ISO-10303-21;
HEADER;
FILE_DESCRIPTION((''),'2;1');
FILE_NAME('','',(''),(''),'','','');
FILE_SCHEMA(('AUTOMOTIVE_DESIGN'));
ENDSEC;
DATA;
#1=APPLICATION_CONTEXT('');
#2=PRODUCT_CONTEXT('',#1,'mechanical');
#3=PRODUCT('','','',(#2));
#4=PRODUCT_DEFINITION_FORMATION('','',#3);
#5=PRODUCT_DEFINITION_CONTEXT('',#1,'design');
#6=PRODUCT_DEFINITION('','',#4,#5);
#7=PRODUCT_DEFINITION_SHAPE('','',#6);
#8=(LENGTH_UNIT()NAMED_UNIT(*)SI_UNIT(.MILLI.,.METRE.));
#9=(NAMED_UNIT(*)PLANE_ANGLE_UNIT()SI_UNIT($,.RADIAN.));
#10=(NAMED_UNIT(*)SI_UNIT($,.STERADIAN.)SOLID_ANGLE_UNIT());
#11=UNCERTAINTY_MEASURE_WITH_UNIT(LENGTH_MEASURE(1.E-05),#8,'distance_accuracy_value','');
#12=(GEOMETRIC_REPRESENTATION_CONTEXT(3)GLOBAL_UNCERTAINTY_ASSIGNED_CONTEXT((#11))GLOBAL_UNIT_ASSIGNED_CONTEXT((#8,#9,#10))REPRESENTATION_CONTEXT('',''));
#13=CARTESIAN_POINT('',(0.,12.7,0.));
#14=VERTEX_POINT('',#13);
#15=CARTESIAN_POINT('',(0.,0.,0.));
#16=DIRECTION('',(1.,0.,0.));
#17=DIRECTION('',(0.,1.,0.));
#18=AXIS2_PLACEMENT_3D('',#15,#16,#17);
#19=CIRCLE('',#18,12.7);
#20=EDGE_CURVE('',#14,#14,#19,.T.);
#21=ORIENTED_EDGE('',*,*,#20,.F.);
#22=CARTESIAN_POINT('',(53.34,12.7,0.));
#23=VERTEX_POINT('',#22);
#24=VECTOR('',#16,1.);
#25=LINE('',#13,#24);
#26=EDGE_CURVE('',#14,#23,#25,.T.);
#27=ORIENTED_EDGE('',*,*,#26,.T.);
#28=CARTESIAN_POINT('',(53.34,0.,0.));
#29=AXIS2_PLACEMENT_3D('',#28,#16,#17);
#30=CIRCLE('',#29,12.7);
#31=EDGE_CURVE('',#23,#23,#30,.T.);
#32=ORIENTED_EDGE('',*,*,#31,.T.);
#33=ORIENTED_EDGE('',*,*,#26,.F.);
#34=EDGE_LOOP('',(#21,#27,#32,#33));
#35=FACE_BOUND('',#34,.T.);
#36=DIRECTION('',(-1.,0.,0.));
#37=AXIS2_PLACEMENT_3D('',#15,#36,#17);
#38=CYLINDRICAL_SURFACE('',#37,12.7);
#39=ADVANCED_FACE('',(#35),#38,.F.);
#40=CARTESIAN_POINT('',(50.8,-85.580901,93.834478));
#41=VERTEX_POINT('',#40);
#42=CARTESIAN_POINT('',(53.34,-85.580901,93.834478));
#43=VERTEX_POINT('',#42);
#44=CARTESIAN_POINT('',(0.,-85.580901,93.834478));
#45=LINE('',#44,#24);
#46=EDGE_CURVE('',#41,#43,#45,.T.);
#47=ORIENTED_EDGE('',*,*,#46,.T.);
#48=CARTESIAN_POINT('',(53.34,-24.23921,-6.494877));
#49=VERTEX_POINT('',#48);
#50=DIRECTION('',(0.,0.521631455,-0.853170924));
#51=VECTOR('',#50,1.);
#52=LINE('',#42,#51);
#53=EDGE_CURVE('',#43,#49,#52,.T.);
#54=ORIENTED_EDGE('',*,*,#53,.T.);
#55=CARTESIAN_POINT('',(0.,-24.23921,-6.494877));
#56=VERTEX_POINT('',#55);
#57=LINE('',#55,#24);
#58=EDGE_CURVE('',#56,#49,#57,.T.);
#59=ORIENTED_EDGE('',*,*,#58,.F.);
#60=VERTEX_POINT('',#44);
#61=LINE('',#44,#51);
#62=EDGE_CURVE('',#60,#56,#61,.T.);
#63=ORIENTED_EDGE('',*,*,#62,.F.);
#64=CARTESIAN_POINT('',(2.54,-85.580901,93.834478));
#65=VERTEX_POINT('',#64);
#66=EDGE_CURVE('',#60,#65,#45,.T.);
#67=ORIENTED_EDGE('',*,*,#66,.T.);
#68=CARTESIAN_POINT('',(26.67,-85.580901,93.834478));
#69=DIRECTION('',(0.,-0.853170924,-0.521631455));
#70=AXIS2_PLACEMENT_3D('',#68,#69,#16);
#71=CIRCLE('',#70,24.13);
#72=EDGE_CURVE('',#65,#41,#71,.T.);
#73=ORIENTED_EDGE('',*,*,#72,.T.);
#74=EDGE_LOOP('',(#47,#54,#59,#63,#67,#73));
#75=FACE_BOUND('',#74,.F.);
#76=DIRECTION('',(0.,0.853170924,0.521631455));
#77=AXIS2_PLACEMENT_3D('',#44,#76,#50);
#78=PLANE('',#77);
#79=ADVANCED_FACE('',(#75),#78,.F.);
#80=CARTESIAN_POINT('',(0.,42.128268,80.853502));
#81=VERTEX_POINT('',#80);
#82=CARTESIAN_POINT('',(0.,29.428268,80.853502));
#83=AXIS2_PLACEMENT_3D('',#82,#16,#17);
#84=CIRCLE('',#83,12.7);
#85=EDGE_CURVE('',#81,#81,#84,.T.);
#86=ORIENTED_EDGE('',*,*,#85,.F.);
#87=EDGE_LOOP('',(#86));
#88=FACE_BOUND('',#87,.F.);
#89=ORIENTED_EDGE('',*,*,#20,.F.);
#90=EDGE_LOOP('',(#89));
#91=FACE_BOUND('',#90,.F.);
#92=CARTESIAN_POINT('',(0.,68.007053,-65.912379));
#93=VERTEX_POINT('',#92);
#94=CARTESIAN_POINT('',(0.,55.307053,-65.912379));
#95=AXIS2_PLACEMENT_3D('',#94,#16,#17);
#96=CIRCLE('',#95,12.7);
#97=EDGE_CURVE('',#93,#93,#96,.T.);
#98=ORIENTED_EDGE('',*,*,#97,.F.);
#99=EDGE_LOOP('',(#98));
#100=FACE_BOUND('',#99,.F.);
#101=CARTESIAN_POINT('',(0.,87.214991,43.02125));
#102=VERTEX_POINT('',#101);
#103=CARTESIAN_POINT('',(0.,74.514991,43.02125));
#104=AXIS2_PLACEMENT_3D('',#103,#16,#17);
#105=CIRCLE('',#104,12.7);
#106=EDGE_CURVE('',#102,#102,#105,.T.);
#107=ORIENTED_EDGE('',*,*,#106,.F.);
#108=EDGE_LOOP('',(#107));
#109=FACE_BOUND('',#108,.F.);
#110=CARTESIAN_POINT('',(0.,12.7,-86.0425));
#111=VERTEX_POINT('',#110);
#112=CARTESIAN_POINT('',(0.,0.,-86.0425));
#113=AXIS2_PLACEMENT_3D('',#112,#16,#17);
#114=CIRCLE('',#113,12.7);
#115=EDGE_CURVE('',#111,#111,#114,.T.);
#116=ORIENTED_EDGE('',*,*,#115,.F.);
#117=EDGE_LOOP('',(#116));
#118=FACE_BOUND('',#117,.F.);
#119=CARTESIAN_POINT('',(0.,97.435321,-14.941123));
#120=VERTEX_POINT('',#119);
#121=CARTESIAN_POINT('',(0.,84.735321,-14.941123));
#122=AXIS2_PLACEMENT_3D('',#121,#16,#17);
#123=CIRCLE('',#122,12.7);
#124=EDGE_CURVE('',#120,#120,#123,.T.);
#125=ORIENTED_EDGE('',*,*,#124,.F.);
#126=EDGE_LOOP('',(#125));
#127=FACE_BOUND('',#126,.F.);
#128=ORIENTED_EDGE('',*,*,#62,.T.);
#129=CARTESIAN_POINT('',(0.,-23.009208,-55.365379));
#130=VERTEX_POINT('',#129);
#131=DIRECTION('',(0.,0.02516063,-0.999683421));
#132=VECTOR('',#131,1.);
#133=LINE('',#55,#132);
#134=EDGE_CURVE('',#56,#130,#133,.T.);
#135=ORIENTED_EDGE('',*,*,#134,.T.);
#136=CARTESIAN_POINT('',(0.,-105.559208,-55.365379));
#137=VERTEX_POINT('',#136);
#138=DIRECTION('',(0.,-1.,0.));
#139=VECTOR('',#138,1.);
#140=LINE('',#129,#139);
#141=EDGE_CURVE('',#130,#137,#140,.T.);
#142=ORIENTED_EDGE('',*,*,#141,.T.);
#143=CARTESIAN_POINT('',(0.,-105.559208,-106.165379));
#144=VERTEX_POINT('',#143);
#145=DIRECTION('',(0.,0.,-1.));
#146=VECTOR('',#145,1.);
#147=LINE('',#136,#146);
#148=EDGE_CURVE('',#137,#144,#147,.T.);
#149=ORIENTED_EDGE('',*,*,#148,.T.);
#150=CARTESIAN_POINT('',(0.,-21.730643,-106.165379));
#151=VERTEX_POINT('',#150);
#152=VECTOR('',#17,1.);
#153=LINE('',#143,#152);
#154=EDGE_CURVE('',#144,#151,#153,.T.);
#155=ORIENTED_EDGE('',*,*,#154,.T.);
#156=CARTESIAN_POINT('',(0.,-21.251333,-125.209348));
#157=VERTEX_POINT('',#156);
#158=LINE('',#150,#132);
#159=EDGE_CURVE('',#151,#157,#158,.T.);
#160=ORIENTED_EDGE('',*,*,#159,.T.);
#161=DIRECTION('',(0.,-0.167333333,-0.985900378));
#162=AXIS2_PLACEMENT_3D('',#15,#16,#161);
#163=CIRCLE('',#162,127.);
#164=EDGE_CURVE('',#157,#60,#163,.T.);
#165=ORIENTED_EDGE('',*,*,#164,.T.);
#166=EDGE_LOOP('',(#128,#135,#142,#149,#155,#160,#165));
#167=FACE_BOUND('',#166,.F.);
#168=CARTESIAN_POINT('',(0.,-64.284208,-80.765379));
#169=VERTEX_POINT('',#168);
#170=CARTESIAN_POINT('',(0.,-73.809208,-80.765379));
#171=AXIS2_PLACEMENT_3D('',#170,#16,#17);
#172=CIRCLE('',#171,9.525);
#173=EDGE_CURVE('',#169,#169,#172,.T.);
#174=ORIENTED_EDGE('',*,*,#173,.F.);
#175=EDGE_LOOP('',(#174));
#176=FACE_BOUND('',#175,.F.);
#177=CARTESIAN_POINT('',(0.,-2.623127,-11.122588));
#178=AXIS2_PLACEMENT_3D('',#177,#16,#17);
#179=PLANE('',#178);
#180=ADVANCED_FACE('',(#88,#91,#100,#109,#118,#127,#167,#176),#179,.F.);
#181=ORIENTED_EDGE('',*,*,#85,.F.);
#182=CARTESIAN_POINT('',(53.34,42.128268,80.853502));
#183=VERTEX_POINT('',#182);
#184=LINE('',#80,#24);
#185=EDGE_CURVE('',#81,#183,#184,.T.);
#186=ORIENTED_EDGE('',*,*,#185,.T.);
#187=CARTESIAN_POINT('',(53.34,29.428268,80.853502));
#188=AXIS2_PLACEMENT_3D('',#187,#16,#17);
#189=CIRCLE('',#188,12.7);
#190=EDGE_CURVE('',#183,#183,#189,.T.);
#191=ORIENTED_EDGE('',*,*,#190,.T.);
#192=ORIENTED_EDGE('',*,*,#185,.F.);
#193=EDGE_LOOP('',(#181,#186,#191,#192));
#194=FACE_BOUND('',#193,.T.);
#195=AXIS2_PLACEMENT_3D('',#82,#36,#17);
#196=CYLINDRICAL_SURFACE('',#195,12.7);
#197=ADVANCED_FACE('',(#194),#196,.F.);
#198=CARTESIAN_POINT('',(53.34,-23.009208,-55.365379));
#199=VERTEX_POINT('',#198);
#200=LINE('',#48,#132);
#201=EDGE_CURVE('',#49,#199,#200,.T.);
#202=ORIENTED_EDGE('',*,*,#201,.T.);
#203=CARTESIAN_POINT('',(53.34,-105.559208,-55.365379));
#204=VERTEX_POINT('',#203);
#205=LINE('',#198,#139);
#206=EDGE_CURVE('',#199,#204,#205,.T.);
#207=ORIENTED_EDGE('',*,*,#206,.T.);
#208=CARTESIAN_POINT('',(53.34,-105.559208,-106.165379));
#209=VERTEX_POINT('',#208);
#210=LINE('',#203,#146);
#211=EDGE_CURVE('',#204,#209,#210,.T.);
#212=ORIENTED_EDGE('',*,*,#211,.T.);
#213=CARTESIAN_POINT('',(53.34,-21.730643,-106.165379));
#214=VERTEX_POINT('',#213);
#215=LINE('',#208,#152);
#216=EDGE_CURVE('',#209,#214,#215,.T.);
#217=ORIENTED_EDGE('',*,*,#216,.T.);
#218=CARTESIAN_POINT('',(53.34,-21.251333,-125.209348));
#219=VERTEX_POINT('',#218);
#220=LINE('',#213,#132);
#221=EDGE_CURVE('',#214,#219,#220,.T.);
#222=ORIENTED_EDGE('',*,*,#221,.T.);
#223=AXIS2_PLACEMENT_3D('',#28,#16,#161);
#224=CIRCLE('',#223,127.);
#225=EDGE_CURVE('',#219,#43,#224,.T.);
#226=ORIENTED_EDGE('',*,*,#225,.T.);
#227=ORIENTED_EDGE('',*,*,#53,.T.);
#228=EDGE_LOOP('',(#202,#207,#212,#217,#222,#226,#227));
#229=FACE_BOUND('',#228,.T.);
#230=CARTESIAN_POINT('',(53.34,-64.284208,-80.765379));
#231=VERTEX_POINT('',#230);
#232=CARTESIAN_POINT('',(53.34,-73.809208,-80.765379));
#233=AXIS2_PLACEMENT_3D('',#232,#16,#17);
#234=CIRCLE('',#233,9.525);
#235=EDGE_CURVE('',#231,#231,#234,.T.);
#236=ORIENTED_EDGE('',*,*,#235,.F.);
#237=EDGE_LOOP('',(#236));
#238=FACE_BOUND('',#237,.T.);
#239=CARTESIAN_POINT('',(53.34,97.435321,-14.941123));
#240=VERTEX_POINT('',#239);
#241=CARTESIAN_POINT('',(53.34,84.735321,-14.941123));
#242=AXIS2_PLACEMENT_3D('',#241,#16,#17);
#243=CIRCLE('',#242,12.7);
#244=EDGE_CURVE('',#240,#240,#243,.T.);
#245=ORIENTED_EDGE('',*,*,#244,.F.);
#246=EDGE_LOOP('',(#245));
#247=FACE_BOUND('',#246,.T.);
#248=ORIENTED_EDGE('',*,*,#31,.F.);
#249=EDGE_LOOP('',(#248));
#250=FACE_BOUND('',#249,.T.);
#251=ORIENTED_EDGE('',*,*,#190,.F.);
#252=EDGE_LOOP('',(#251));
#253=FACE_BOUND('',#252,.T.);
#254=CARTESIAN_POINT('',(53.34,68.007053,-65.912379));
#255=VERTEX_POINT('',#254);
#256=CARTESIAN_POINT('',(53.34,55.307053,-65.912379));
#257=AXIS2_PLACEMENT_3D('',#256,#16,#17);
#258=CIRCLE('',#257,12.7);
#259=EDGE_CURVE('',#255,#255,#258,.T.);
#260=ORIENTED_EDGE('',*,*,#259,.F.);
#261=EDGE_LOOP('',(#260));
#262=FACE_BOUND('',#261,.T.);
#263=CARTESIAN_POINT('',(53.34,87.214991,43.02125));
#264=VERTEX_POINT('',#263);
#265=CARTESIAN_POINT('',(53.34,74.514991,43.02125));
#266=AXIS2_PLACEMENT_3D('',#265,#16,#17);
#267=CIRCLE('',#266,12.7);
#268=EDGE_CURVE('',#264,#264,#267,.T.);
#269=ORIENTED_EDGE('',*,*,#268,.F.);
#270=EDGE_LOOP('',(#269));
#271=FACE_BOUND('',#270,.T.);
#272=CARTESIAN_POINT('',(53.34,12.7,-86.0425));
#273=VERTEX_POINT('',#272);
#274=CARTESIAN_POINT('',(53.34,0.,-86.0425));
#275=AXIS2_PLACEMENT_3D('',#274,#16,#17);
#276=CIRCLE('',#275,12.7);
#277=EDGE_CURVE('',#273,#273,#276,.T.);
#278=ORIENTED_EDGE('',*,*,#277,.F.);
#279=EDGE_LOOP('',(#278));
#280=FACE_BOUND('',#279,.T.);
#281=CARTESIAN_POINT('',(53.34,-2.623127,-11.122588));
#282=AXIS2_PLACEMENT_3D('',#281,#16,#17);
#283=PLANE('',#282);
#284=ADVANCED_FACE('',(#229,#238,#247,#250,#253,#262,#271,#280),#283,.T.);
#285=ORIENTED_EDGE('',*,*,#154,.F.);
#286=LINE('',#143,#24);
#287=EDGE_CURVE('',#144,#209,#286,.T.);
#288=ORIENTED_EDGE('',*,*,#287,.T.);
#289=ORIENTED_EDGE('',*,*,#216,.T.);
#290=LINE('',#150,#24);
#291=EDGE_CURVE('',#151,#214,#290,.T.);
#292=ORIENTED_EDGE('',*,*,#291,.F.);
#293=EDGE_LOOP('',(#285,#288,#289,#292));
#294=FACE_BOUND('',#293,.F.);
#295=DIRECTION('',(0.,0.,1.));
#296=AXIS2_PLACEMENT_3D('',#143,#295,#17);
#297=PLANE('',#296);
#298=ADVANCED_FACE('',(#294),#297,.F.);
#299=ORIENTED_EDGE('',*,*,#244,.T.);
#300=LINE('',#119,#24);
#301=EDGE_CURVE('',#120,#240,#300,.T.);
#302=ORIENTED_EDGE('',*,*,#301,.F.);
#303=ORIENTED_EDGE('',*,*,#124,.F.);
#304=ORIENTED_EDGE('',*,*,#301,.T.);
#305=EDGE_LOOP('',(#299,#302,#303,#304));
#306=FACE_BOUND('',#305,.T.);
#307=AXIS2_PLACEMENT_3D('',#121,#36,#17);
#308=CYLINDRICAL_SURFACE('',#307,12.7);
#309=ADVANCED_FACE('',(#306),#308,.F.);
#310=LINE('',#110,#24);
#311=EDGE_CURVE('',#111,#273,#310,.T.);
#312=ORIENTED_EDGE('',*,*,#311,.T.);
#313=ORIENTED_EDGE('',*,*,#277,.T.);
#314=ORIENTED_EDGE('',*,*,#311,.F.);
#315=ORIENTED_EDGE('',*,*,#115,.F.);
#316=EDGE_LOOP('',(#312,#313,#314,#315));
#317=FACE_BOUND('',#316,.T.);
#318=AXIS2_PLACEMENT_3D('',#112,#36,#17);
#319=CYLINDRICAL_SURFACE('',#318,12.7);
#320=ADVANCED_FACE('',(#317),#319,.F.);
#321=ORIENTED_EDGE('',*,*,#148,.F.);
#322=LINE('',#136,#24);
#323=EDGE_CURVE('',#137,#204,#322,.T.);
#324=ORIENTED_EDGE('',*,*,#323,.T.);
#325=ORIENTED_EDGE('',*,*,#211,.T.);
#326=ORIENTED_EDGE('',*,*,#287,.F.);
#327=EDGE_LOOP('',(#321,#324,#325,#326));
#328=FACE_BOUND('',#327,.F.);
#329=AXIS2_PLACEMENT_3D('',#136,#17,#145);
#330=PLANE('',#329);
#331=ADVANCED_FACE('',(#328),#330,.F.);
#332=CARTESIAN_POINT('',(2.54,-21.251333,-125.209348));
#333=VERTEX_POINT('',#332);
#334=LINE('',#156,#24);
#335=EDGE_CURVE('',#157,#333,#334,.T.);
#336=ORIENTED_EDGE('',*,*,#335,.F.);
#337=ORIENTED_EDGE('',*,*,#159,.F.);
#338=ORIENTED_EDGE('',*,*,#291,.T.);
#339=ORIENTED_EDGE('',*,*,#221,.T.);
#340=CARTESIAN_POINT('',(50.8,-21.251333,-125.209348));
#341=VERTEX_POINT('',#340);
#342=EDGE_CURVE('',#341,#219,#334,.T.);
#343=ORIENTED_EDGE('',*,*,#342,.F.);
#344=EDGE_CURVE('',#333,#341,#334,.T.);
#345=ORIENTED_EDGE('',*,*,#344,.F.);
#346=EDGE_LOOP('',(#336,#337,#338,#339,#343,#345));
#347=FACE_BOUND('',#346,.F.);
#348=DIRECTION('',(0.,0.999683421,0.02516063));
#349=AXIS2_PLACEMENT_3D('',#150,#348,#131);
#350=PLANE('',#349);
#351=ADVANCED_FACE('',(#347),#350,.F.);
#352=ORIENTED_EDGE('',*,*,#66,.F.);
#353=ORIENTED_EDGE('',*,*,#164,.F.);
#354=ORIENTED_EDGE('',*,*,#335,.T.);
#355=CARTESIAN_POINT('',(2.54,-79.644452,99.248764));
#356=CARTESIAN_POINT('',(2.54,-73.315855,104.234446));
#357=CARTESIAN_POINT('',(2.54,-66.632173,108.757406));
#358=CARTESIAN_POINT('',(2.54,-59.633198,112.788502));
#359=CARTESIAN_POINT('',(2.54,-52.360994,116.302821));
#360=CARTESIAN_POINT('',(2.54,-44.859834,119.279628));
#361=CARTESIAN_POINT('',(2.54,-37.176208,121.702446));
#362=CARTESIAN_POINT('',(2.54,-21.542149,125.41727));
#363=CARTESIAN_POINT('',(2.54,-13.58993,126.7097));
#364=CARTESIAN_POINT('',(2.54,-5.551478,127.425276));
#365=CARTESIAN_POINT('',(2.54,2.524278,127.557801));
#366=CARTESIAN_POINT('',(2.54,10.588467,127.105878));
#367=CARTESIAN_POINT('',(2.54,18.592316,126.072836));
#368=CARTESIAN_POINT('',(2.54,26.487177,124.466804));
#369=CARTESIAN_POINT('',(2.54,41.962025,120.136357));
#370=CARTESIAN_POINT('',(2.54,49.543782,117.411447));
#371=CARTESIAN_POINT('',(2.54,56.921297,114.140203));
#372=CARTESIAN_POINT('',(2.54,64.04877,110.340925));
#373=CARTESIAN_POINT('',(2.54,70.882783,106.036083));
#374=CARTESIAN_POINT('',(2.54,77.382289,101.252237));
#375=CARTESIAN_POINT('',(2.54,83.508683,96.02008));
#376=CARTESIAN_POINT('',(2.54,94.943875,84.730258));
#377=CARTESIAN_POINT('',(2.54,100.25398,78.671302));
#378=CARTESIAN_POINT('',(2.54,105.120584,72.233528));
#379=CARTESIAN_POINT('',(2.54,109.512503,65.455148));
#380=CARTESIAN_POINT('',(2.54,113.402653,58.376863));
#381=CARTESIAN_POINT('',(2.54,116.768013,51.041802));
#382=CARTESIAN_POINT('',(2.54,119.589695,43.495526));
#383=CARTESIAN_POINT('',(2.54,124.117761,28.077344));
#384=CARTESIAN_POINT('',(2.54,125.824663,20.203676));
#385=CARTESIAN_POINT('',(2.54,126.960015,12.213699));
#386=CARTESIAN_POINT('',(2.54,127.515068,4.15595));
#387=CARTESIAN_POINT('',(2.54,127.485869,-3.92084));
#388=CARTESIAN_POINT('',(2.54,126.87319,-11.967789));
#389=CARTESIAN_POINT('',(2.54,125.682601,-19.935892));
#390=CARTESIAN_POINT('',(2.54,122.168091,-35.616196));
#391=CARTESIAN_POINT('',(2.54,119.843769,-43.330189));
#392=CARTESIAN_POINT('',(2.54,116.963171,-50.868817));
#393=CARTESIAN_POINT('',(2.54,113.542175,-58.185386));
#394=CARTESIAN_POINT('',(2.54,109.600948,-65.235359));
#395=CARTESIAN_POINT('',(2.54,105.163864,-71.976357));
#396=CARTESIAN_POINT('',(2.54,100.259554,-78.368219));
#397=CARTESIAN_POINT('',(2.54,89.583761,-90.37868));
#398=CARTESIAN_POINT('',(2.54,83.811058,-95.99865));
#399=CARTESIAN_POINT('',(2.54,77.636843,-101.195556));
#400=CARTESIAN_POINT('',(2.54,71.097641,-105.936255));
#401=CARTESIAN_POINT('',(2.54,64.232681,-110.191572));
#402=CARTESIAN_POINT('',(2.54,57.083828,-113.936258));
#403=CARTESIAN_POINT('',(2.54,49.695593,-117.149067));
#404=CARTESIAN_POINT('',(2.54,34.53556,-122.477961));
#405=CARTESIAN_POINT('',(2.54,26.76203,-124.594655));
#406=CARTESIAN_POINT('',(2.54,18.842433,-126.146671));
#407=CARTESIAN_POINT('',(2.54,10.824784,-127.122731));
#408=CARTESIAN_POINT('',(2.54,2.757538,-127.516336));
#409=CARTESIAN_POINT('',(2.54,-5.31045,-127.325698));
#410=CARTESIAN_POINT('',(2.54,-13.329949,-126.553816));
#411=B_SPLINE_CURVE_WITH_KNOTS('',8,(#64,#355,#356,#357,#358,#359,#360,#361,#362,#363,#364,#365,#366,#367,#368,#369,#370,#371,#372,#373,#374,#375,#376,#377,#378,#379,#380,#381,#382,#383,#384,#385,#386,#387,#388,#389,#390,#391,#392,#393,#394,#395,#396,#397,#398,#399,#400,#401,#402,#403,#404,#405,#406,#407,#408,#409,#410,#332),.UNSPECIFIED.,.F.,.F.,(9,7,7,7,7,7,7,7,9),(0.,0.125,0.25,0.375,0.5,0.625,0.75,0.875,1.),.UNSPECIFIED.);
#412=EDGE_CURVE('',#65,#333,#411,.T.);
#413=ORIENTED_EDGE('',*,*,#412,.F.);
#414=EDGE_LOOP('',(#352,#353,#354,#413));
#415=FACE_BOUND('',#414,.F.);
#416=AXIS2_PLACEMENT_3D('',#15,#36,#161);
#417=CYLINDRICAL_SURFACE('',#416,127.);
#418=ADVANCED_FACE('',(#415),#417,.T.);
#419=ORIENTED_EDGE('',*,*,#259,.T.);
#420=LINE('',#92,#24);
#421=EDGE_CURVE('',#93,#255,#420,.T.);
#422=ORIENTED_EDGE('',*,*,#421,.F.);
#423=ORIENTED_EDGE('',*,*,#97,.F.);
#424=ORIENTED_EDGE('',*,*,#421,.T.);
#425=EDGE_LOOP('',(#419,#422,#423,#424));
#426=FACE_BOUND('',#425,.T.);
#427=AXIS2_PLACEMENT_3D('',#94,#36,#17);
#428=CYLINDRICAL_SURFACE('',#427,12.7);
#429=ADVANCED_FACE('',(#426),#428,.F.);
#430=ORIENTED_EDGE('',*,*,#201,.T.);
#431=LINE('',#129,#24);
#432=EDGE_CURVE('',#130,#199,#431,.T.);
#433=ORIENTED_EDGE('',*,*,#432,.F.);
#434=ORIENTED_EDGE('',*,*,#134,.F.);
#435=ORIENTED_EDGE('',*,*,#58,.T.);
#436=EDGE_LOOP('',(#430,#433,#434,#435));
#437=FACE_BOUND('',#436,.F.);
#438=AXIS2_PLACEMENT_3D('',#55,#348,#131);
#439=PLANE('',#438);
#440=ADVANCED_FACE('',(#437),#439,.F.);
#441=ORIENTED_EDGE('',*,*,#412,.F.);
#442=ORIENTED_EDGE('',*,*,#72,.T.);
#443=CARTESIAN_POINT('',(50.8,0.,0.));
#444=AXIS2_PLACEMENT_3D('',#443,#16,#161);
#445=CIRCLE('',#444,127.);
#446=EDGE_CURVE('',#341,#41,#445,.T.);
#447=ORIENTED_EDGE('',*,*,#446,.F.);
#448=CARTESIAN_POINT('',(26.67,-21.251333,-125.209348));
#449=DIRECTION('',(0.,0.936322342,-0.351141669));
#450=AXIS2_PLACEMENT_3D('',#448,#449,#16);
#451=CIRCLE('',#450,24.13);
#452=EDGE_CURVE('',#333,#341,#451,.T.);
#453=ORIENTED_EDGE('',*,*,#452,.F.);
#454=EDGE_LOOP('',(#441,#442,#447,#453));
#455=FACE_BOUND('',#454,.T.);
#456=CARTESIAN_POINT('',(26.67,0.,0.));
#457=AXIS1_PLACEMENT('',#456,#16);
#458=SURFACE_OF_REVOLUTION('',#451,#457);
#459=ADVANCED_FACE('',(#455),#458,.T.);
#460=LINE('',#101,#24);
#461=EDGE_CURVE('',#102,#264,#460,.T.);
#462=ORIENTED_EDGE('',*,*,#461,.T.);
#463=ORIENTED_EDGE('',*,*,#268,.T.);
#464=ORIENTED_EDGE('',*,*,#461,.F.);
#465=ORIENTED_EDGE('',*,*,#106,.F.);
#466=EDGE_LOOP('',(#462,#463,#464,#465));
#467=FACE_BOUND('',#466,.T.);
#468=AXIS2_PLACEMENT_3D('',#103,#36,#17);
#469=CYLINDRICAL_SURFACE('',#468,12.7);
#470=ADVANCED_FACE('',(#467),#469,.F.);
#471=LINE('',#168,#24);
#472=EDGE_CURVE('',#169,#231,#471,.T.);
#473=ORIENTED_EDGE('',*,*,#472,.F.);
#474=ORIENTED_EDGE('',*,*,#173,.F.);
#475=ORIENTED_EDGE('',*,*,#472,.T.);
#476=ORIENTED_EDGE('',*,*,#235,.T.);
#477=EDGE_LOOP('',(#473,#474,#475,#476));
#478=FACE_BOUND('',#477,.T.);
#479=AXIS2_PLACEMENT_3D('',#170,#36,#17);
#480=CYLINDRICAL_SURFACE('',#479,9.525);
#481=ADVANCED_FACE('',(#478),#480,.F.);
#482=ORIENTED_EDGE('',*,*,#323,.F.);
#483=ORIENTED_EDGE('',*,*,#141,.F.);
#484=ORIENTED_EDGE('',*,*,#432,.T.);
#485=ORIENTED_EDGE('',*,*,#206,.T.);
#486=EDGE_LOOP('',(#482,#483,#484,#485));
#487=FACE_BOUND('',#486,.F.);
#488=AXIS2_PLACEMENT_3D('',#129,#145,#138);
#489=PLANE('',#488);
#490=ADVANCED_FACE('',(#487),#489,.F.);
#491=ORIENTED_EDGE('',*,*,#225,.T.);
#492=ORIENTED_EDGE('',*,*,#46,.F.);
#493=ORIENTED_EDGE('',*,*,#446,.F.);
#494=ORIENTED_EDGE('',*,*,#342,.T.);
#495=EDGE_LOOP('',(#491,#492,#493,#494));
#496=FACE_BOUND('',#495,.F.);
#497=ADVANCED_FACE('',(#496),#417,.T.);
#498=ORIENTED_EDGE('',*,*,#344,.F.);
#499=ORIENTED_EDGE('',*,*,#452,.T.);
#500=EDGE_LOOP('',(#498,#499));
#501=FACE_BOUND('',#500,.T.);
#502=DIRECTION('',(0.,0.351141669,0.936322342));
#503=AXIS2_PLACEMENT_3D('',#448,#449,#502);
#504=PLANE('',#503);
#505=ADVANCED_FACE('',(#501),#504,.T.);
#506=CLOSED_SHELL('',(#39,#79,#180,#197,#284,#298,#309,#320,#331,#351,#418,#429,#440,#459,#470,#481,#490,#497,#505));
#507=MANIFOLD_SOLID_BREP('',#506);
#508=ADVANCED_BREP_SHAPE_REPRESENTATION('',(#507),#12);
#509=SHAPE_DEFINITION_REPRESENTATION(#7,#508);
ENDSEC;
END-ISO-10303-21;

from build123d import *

# Parameters (mm, degrees)
F0_R     = 9.525
F0_R_2   = 12.7
F1_DEPTH = 53.34


with BuildPart() as f1:
    # F0 (on Right) → F1 (new body)
    with BuildSketch(Plane.YZ):
        with BuildLine():
            Line((-21.7306433309, -106.1653788452), (-21.2513333333, -125.2093480198))
            ThreePointArc((-21.2513333333, -125.2093480198), (121.8537281077, 35.7864352271), (-85.5809014362, 93.8344782549))
            Line((-85.5809014362, 93.8344782549), (-24.2392100937, -6.4948767698))
            Line((-24.2392100937, -6.4948767698), (-23.0092080907, -55.3653788452))
            Line((-23.0092080907, -55.3653788452), (-105.5592080907, -55.3653788452))
            Line((-105.5592080907, -55.3653788452), (-105.5592080907, -106.1653788452))
            Line((-105.5592080907, -106.1653788452), (-21.7306433309, -106.1653788452))
        make_face()
        with Locations((-73.8092080907, -80.7653788452)):
            Circle(F0_R, mode=Mode.SUBTRACT)
        with Locations((0, -86.0425)):
            Circle(F0_R_2, mode=Mode.SUBTRACT)
        with Locations((55.3070529065, -65.9123789971)):
            Circle(F0_R_2, mode=Mode.SUBTRACT)
        with Locations((84.7353210886, -14.9411233269)):
            Circle(F0_R_2, mode=Mode.SUBTRACT)
        Circle(F0_R_2, mode=Mode.SUBTRACT)
        with Locations((74.5149908051, 43.02125)):
            Circle(F0_R_2, mode=Mode.SUBTRACT)
        with Locations((29.4282681821, 80.853502324)):
            Circle(F0_R_2, mode=Mode.SUBTRACT)
    extrude(amount=F1_DEPTH)

    # F3: sweep along a path in F3_path
    with BuildLine(Plane(origin=(53.34, -21.2513333333, -125.2093480198), x_dir=(0, 0, 1), z_dir=(1, 0, 0))) as f3_path:
        ThreePointArc((0, 0), (160.995783247, -143.105061441), (219.0438262748, 64.3295681028))
    # F2 (on face) → F3 (sweep, cut)
    with BuildSketch(Plane(origin=(0, -20.5342212669, -12.5546891296), x_dir=(1, 0, 0), z_dir=(0, -0.8531709236, -0.5216314552))):
        with BuildLine():
            ThreePointArc((2.54, 124.6985386355), (26.67, 100.5685386355), (50.8, 124.6985386355))
            Line((50.8, 124.6985386355), (2.54, 124.6985386355))
        make_face()
        with BuildLine():
            Line((2.54, 124.6985386355), (50.8, 124.6985386355))
            ThreePointArc((50.8, 124.6985386355), (26.67, 148.8285386355), (2.54, 124.6985386355))
        make_face()
    sweep(path=f3_path.line, mode=Mode.SUBTRACT)


solid = f1.part
